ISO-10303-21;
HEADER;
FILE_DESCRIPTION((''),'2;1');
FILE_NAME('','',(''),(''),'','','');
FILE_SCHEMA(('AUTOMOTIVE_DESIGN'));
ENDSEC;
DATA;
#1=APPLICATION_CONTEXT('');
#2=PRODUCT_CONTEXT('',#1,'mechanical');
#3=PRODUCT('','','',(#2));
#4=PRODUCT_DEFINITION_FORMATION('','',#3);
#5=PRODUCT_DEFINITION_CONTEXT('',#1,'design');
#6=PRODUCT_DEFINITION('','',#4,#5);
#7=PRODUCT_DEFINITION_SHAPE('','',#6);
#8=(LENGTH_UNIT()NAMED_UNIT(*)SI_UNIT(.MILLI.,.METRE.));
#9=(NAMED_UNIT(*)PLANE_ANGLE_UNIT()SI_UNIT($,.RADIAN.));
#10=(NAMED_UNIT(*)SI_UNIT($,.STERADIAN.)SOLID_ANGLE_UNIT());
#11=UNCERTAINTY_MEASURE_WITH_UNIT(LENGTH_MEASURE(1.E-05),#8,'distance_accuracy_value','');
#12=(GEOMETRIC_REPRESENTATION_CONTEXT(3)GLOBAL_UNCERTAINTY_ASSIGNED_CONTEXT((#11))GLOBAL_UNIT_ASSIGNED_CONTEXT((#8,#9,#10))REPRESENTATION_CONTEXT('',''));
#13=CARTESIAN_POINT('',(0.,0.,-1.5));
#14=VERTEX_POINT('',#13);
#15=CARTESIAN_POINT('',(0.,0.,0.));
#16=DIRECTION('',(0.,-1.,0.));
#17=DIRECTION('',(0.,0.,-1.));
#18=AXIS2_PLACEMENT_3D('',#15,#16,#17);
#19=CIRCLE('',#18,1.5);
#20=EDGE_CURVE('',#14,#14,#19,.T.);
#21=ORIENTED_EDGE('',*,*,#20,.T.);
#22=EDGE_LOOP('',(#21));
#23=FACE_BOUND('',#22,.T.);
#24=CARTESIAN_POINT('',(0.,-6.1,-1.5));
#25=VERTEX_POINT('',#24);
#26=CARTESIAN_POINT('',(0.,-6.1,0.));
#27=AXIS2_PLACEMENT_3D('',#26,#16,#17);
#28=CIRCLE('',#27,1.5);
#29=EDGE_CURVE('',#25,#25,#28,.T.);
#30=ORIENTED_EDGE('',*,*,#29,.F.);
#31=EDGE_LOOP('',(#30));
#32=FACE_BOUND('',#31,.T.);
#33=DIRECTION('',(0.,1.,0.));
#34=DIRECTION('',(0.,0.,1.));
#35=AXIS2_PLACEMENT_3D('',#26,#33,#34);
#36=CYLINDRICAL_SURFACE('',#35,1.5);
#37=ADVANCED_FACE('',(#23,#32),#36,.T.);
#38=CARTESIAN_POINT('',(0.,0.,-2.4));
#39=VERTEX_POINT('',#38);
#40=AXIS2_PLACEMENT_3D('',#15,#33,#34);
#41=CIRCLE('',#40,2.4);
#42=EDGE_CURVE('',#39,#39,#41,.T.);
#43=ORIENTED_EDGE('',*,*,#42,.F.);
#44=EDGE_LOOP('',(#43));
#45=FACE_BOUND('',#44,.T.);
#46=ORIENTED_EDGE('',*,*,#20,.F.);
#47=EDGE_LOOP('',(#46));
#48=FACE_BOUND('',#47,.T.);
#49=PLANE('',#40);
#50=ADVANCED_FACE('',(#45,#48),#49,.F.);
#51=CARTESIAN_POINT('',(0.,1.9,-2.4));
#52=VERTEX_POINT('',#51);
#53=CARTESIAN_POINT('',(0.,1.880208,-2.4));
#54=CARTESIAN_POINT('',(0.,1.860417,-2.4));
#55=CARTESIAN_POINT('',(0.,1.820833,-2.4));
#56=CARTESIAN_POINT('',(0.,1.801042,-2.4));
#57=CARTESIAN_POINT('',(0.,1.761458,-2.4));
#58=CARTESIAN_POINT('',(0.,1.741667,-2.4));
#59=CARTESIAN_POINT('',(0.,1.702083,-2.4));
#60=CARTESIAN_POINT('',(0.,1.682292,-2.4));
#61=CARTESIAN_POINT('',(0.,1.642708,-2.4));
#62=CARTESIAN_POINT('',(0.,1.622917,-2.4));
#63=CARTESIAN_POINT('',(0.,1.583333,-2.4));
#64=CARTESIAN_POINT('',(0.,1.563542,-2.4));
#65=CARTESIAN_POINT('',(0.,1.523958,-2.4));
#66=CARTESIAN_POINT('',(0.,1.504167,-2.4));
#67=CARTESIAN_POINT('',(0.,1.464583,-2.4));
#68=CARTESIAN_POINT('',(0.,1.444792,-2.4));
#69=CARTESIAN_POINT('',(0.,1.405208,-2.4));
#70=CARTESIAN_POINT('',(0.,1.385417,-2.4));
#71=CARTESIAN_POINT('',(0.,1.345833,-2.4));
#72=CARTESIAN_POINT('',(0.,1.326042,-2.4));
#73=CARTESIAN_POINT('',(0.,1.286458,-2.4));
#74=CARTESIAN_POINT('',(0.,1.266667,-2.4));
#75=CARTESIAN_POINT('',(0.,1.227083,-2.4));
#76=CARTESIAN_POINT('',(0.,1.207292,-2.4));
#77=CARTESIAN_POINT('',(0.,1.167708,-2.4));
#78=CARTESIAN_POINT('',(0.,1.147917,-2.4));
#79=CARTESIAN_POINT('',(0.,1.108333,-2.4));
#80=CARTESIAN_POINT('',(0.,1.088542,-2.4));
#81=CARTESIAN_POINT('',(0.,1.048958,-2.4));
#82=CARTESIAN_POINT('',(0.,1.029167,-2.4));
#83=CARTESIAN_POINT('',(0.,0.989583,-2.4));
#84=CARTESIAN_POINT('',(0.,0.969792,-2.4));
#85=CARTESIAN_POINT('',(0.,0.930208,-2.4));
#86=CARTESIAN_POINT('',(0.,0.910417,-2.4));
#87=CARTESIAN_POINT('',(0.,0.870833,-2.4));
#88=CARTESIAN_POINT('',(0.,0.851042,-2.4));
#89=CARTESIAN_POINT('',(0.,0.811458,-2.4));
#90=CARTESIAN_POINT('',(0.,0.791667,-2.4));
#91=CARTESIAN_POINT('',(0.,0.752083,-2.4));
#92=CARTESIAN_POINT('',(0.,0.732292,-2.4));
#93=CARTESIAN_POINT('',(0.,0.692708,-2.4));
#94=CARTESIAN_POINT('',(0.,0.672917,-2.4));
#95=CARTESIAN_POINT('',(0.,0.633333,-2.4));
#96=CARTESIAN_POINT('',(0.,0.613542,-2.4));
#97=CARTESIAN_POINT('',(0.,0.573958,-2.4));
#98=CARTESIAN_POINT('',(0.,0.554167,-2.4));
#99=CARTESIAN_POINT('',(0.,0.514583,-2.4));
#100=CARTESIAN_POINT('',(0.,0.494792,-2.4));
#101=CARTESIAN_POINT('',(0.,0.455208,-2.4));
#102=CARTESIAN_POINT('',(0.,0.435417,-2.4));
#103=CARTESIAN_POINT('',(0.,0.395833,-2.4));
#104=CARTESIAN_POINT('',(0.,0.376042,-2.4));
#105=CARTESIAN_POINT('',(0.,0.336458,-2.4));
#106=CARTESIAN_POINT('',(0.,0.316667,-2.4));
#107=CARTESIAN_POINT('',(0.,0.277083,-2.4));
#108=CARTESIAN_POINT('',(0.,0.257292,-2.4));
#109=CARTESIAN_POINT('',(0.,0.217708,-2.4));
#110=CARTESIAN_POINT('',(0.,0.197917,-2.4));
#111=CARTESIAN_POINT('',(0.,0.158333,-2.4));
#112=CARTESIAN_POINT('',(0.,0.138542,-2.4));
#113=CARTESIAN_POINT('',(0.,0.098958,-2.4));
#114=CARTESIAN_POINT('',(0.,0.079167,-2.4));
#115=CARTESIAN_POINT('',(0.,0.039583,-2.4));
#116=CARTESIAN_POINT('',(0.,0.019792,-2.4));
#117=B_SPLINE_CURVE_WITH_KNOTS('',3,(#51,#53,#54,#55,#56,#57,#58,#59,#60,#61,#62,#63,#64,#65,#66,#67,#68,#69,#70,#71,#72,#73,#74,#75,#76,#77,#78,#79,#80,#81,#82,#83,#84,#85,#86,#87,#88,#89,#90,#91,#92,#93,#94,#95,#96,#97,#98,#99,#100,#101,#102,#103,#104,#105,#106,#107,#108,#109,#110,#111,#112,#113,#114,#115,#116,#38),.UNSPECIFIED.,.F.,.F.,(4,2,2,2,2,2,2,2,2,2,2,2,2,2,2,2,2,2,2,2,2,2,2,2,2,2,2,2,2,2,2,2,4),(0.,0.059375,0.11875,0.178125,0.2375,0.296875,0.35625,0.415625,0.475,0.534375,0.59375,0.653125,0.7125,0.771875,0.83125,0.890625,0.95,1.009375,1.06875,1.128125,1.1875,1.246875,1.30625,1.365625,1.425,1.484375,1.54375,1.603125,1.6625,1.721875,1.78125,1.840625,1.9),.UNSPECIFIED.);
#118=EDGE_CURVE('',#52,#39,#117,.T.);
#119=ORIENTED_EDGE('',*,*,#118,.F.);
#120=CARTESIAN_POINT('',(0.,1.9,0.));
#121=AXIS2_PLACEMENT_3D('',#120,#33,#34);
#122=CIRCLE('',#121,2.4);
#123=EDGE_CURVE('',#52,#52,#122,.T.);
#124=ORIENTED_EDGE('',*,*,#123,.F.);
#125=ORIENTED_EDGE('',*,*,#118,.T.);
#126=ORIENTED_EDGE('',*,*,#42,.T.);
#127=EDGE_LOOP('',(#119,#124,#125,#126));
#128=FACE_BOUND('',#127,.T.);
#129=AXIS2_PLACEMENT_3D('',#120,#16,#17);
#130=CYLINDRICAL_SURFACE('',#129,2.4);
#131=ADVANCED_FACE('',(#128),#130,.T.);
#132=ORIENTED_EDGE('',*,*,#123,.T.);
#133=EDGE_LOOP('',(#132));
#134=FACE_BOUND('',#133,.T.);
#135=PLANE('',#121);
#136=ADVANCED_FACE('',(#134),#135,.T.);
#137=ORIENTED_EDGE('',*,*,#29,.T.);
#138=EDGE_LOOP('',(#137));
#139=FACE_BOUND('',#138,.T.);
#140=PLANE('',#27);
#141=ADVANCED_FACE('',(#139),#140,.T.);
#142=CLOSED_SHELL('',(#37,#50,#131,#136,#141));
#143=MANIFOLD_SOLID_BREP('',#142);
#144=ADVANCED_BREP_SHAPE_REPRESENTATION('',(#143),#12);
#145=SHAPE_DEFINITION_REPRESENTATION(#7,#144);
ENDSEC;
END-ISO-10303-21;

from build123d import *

# Parameters (mm, degrees)
ESQUISSE1_R        = 2.4
BOSS_EXTRU_1_DEPTH = 1.9
ESQUISSE2_R        = 1.5
BOSS_EXTRU_2_DEPTH = 6.1


with BuildPart() as part:
    # Esquisse1 → Boss.-Extru.1 (new body)
    with BuildSketch(Plane(origin=(0, 0, 0), x_dir=(1, 0, 0), z_dir=(0, 1, 0))):
        with Locations(Location((0, 0, 0), (0, 0, 90))):
            Circle(ESQUISSE1_R)
    extrude(amount=BOSS_EXTRU_1_DEPTH)

    # Esquisse2 → Boss.-Extru.2 (add)
    with BuildSketch(Plane.XZ):
        with Locations(Location((0, 0, 0), (0, 0, 270))):
            Circle(ESQUISSE2_R)
    extrude(amount=BOSS_EXTRU_2_DEPTH)


solid = part.part
